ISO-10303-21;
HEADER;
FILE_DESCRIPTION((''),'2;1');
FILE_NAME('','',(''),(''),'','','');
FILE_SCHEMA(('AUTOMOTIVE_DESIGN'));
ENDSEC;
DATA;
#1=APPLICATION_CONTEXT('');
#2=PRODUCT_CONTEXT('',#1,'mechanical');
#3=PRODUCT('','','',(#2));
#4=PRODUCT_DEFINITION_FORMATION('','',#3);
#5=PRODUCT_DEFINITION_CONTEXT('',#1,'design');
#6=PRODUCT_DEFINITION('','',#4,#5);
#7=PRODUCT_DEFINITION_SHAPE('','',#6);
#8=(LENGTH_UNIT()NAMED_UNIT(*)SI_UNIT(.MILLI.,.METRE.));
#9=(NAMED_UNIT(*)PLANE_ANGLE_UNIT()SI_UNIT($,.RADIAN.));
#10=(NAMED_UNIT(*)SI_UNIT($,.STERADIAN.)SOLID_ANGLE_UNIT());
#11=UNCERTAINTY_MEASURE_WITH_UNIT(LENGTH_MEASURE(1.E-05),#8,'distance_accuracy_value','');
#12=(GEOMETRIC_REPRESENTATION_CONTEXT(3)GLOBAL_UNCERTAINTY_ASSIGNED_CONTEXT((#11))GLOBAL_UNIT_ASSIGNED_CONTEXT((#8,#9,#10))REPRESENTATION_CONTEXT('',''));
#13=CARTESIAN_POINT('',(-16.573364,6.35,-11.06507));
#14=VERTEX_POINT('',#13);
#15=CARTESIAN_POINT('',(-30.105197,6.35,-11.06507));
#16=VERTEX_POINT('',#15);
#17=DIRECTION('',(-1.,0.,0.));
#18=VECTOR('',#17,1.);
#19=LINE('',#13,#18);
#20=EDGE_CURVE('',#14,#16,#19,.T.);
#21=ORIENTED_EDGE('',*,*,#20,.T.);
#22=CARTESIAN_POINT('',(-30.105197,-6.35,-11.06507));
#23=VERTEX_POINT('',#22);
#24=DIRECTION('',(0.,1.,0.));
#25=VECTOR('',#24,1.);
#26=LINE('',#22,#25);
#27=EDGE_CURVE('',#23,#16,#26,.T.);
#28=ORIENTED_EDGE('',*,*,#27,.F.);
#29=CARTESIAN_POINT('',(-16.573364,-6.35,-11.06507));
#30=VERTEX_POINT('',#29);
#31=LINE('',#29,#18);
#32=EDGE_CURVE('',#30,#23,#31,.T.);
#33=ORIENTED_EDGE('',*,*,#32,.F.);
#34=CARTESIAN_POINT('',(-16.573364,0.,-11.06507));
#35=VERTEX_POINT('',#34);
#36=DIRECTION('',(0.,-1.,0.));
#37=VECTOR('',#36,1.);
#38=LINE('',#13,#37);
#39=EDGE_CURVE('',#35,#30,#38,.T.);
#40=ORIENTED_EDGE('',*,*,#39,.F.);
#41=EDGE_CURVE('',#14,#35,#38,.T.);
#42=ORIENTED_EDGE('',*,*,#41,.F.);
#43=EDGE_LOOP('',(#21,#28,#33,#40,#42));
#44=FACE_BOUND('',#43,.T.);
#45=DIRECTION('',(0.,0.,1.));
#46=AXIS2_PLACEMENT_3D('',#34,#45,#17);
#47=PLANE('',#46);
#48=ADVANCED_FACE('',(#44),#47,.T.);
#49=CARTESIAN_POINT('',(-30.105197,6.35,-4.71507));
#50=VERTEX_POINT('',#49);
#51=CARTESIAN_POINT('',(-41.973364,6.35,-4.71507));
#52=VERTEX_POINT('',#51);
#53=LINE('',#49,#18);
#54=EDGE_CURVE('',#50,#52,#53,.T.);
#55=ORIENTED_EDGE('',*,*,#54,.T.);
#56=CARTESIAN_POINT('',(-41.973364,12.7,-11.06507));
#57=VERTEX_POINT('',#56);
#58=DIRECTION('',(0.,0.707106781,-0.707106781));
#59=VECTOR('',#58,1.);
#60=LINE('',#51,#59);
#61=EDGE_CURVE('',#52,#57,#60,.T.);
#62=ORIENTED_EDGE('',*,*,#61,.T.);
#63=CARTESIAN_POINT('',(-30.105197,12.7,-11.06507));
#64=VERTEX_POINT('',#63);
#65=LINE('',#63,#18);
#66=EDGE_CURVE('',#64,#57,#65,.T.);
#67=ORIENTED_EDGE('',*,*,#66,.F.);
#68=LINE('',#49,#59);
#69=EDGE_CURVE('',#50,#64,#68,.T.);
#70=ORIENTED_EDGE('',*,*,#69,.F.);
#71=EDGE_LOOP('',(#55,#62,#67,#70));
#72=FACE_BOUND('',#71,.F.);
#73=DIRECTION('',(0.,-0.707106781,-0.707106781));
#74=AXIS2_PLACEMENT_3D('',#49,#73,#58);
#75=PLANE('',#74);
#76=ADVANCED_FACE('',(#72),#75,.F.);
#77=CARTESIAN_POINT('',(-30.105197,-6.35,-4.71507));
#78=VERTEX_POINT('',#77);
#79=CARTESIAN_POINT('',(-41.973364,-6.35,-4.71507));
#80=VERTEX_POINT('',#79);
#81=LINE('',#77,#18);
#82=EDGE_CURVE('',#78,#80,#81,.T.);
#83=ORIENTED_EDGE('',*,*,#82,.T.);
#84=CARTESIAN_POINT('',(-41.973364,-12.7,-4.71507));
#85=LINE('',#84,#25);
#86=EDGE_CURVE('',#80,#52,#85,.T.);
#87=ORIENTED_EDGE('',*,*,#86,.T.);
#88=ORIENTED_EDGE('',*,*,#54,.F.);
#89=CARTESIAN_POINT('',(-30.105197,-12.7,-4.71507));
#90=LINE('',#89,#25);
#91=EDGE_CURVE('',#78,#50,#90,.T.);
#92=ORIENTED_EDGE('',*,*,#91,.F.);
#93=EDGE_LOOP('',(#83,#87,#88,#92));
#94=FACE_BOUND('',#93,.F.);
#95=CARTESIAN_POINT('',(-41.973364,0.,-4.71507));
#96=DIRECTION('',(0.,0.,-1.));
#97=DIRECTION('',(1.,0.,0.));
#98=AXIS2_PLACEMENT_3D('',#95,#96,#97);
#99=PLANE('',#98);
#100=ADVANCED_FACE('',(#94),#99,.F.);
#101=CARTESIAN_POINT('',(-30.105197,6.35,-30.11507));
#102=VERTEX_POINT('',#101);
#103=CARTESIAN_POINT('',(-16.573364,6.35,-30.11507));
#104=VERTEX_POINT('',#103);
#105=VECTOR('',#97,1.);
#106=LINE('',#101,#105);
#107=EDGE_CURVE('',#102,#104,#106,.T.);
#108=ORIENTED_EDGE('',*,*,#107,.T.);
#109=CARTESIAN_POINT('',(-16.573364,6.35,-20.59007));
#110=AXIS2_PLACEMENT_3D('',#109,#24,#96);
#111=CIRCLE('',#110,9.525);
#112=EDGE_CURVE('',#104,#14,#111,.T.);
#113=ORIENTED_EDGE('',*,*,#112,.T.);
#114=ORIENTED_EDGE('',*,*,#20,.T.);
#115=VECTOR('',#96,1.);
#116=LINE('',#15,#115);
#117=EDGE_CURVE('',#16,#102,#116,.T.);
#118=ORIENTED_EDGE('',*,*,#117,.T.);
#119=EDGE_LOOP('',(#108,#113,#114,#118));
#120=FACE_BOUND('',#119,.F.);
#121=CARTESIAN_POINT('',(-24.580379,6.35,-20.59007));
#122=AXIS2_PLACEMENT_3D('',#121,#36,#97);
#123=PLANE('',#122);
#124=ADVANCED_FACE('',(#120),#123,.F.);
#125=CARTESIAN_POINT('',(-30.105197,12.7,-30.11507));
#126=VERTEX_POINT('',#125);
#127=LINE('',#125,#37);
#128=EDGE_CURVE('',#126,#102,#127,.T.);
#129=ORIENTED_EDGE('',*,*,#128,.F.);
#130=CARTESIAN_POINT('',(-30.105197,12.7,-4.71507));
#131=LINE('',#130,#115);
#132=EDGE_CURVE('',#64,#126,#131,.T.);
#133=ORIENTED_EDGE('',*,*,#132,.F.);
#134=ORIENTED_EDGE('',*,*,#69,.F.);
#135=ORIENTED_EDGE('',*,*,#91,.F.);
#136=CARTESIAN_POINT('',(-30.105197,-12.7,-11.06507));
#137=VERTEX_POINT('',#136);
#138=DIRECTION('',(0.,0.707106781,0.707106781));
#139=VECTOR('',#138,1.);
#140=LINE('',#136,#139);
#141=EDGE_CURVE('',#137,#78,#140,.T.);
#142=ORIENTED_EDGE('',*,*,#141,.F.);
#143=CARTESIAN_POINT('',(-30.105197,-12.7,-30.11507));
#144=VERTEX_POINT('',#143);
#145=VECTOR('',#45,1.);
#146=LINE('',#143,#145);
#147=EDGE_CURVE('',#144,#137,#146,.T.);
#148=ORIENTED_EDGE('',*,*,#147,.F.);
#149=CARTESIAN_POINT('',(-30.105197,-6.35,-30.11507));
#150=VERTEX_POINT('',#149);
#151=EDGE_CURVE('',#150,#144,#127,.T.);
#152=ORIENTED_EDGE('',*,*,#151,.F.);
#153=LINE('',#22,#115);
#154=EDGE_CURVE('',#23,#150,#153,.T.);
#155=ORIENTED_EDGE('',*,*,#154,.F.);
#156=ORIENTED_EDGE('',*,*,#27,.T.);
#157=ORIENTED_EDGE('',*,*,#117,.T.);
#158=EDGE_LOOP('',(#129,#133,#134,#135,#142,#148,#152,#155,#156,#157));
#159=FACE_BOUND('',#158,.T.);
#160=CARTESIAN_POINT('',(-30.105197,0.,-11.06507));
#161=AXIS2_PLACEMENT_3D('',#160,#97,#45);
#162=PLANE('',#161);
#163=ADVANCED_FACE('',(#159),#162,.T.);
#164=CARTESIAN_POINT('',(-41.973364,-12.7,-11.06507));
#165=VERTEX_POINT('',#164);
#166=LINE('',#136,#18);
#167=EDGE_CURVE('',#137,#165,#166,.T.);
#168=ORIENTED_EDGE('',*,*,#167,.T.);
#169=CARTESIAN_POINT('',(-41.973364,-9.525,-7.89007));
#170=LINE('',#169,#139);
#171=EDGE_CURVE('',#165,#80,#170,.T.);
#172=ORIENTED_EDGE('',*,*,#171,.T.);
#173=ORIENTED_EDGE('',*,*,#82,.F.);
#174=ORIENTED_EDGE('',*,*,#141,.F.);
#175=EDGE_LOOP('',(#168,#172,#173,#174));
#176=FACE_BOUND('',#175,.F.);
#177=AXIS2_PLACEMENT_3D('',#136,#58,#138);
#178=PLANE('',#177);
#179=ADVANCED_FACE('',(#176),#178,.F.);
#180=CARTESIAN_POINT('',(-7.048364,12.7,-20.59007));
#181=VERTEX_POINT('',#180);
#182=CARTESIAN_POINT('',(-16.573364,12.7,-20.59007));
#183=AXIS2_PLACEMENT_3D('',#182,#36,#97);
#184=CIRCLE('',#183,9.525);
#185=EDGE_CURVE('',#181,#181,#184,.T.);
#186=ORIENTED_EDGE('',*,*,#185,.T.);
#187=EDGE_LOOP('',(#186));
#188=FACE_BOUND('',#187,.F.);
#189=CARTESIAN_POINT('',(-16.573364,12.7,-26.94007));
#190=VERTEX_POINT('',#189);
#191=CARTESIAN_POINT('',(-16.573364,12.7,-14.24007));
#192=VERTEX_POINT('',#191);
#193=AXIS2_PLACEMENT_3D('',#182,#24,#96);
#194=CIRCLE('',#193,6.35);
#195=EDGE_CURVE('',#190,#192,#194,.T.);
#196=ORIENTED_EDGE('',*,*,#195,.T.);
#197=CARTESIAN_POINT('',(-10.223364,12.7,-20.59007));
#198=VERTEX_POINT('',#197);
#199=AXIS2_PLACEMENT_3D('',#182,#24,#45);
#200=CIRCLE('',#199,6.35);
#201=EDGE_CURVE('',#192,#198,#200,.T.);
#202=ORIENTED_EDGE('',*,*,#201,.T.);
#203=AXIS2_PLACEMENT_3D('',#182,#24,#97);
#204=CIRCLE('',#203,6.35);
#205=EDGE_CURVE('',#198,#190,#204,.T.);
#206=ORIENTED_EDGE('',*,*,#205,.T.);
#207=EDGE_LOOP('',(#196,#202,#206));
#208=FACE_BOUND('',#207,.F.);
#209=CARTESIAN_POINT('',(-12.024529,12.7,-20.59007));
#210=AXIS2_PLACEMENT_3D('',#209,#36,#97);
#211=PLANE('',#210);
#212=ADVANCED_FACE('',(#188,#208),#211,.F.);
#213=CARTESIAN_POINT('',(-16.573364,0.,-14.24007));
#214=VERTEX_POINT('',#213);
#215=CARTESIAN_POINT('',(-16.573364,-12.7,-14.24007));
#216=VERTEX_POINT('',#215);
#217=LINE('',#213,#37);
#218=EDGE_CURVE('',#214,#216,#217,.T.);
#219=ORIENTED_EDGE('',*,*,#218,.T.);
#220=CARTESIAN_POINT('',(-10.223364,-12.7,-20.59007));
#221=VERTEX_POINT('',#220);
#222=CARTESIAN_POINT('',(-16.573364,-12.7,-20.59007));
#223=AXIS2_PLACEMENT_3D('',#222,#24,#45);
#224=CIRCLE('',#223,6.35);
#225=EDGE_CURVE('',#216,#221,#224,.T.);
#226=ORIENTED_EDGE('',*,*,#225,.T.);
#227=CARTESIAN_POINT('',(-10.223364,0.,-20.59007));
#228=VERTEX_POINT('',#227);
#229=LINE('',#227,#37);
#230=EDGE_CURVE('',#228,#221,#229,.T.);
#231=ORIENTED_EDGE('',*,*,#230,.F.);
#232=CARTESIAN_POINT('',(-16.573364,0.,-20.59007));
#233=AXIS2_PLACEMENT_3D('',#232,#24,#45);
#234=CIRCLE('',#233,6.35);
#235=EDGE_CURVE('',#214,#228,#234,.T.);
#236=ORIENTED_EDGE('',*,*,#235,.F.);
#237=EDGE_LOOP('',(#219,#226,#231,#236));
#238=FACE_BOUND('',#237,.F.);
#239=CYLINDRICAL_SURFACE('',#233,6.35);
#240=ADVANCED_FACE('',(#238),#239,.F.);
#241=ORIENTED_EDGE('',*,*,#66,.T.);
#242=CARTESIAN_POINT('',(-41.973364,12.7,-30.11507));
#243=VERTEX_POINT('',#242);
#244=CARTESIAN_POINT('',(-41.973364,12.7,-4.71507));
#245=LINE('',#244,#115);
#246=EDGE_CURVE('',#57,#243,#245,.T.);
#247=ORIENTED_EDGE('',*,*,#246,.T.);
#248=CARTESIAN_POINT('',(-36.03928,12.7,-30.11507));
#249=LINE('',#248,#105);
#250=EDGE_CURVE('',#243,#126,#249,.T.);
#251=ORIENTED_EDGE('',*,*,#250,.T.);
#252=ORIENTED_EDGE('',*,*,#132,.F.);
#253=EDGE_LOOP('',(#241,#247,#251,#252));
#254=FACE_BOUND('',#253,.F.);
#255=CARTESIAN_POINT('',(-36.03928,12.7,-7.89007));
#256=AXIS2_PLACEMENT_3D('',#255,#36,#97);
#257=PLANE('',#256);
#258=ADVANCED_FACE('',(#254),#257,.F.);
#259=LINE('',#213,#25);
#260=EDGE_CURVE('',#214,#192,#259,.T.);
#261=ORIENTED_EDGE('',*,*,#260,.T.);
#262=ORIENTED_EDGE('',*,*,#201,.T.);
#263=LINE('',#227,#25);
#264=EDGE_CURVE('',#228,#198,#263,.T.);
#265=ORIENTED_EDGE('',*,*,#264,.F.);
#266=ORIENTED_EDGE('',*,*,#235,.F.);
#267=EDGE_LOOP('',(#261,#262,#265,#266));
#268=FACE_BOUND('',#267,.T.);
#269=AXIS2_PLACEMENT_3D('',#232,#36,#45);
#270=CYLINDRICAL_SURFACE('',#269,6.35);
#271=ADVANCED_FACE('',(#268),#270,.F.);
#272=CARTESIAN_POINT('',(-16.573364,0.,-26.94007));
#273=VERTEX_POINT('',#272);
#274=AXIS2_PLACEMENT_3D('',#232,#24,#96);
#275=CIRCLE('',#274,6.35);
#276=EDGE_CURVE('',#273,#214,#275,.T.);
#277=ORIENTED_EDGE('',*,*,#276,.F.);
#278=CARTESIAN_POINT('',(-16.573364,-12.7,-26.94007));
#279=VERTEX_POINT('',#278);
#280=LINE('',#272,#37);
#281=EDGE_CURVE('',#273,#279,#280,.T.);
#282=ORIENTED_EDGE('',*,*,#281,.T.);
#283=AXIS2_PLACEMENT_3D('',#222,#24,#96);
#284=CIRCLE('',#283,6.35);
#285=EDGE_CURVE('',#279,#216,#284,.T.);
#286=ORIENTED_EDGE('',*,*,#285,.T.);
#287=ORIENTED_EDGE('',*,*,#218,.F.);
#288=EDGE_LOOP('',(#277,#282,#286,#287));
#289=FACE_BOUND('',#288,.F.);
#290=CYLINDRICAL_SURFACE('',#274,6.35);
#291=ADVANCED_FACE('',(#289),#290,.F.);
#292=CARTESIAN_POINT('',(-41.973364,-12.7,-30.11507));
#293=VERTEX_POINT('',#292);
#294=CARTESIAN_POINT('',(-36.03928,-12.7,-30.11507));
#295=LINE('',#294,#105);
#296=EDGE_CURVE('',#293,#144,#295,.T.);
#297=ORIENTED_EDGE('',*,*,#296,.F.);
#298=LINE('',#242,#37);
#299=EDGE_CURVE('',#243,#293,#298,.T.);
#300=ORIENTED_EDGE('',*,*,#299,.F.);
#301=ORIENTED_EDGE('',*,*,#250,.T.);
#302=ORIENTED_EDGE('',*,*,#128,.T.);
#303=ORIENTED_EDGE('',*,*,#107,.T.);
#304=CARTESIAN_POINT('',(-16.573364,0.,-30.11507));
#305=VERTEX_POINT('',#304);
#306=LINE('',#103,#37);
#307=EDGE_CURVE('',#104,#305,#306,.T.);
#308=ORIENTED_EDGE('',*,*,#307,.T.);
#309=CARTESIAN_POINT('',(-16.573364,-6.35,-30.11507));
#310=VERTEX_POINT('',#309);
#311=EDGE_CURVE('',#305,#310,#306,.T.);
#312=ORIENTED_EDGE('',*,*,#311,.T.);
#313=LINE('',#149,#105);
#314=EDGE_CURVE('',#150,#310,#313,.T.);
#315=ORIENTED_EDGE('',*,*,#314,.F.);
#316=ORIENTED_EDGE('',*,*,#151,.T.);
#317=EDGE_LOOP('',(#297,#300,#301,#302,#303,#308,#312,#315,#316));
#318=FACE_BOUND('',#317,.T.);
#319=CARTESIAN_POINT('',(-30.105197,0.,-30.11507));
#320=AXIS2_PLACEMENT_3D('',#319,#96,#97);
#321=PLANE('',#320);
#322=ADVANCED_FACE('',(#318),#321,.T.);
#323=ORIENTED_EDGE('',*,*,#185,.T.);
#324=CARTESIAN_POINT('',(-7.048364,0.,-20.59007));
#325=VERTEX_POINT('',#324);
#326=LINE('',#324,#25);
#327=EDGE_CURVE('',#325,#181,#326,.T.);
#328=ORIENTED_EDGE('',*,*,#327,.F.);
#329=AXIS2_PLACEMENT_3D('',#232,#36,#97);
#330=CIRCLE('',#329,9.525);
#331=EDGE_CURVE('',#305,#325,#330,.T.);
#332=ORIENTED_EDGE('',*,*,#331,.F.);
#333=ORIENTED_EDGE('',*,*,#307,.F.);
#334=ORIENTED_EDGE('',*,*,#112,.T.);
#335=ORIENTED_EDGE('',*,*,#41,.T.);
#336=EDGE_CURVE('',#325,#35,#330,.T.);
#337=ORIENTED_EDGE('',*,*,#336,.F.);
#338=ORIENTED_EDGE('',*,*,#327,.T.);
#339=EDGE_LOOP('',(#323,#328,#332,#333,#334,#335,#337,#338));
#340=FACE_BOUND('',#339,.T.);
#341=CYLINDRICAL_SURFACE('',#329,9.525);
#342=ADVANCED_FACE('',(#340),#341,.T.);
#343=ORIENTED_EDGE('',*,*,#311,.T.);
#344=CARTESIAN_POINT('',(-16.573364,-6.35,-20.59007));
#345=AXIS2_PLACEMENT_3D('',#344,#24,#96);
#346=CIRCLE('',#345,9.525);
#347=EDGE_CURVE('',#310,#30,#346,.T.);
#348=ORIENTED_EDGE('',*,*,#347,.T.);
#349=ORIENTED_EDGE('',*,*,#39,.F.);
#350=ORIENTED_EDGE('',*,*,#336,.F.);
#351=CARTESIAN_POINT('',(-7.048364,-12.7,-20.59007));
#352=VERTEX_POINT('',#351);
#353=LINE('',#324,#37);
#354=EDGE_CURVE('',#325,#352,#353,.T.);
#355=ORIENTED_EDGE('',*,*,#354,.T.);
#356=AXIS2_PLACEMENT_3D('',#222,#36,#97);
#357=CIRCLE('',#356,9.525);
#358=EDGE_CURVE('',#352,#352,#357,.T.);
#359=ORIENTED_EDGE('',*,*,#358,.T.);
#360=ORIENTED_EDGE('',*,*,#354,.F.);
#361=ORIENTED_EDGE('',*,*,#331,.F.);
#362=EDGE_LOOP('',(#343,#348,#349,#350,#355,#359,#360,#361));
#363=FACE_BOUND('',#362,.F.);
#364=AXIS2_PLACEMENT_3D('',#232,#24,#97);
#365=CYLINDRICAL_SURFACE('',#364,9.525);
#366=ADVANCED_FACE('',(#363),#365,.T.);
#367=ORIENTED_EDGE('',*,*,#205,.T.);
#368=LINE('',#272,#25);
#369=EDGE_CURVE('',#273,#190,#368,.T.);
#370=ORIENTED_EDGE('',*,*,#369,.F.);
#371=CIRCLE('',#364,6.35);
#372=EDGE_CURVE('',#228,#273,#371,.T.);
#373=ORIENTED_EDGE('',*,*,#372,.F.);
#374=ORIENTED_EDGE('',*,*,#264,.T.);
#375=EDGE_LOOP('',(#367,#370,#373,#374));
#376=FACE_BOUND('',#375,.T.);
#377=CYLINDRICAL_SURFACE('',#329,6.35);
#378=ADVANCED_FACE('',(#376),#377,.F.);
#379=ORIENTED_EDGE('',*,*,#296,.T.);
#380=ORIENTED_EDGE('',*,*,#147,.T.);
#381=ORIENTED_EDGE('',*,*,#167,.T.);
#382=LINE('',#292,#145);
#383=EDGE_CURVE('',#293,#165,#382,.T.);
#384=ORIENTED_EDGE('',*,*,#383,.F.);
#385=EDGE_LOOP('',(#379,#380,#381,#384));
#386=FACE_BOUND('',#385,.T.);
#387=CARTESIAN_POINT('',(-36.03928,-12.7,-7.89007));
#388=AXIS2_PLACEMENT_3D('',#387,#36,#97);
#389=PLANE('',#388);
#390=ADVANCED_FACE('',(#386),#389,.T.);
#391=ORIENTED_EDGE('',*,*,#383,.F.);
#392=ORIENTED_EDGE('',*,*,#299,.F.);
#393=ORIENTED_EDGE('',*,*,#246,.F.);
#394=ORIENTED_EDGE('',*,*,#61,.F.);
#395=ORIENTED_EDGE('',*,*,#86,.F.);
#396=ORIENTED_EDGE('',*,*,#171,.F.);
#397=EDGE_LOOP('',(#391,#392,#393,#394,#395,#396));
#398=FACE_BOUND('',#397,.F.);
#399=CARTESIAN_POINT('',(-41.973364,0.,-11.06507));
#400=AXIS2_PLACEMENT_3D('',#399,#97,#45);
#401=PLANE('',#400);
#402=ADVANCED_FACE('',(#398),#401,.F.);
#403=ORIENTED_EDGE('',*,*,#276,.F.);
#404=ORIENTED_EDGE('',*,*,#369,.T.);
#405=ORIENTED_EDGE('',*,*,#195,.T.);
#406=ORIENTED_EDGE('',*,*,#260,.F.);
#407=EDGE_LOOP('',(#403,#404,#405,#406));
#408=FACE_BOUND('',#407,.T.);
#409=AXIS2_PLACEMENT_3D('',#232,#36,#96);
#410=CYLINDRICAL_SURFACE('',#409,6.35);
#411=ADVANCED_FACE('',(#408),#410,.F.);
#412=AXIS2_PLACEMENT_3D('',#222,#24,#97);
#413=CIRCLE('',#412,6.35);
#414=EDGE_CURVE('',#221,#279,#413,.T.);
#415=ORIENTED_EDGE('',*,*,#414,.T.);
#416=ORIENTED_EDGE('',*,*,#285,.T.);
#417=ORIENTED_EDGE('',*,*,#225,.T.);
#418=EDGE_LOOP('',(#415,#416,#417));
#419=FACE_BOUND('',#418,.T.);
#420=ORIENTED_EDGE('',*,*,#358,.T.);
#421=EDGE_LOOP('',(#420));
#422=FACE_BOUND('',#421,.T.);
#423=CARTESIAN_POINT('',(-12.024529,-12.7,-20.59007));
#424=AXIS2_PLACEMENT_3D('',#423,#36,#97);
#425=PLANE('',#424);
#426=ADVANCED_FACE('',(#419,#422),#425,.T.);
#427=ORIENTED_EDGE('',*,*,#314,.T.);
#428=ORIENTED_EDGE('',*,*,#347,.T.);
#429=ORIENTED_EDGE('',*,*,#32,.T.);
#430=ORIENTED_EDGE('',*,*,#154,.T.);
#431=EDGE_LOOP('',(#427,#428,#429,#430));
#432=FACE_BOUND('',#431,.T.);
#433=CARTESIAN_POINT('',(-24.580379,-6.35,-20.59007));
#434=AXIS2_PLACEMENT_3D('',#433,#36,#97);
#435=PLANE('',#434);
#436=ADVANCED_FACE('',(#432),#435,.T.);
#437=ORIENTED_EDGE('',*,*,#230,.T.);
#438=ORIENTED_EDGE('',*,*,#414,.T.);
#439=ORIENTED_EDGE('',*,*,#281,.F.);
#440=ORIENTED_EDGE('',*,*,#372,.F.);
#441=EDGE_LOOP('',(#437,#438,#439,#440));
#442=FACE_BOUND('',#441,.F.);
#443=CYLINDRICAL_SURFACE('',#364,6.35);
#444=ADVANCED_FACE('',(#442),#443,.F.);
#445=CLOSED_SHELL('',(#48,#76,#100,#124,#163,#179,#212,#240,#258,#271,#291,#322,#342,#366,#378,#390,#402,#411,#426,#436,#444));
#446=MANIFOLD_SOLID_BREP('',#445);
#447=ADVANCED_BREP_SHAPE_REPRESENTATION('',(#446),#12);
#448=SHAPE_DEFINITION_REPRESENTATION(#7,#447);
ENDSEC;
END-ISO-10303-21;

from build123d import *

# Parameters (mm, degrees)
F0_W          = 11.8681662488
F0_H          = 19.05
F1_DEPTH      = 12.7
F1_DEPTH_BACK = 12.7
F2_DEPTH      = 6.35
F2_DEPTH_BACK = 6.35
F3_DEPTH      = 12.7
F3_DEPTH_BACK = 12.7
F0_H_2        = 6.35
F4_DEPTH      = 12.7
F4_DEPTH_BACK = 12.7
F6_DEPTH      = 12.7


with BuildPart() as f1:
    # F0 (on Front) → F1 (new body, two sides)
    with BuildSketch(Plane.XZ) as f1_sk:
        with Locations((-36.0392803956, -20.5900701019)):
            Rectangle(F0_W, F0_H)
    extrude(amount=F1_DEPTH)
    extrude(f1_sk.sketch, amount=-F1_DEPTH_BACK)

    # F0 (on Front) → F2 (join, two sides)
    with BuildSketch(Plane.XZ) as f2_sk:
        with BuildLine():
            Line((-30.1051972712, -11.0650701019), (-30.1051972712, -30.1150701019))
            Line((-30.1051972712, -30.1150701019), (-16.57336352, -30.1150701019))
            ThreePointArc((-16.57336352, -30.1150701019), (-26.09836352, -20.5900701019), (-16.57336352, -11.0650701019))
            Line((-16.57336352, -11.0650701019), (-30.1051972712, -11.0650701019))
        make_face()
    extrude(amount=F2_DEPTH)
    extrude(f2_sk.sketch, amount=-F2_DEPTH_BACK)

    # F0 (on Front) → F3 (join, two sides)
    with BuildSketch(Plane.XZ) as f3_sk:
        with BuildLine():
            Line((-16.57336352, -26.9400701019), (-16.57336352, -30.1150701019))
            ThreePointArc((-16.57336352, -30.1150701019), (-9.8381714292, -27.3252621927), (-7.04836352, -20.5900701019))
            ThreePointArc((-7.04836352, -20.5900701019), (-9.8381714292, -13.8548780111), (-16.57336352, -11.0650701019))
            Line((-16.57336352, -11.0650701019), (-16.57336352, -14.2400701019))
            ThreePointArc((-16.57336352, -14.2400701019), (-12.0832354595, -16.0999420414), (-10.22336352, -20.5900701019))
            ThreePointArc((-10.22336352, -20.5900701019), (-12.0832354595, -25.0801981625), (-16.57336352, -26.9400701019))
        make_face()
        with BuildLine():
            ThreePointArc((-16.57336352, -11.0650701019), (-26.09836352, -20.5900701019), (-16.57336352, -30.1150701019))
            Line((-16.57336352, -30.1150701019), (-16.57336352, -26.9400701019))
            ThreePointArc((-16.57336352, -26.9400701019), (-22.92336352, -20.5900701019), (-16.57336352, -14.2400701019))
            Line((-16.57336352, -14.2400701019), (-16.57336352, -11.0650701019))
        make_face()
    extrude(amount=F3_DEPTH)
    extrude(f3_sk.sketch, amount=-F3_DEPTH_BACK)

    # F0 (on Front) → F4 (join, two sides)
    with BuildSketch(Plane.XZ) as f4_sk:
        with Locations((-36.0392803956, -7.8900701019)):
            Rectangle(F0_W, F0_H_2)
    extrude(amount=F4_DEPTH)
    extrude(f4_sk.sketch, amount=-F4_DEPTH_BACK)

    # F5 (on face) → F6 (cut)
    with BuildSketch(Plane.YZ.offset(-30.1051972712)):
        Polygon((12.7, -4.7150701019), (6.35, -4.7150701019), (12.7, -11.0650701019), align=None)
        Polygon((-12.7, -11.0650701019), (-6.35, -4.7150701019), (-12.7, -4.7150701019), align=None)
    extrude(amount=-F6_DEPTH, mode=Mode.SUBTRACT)


solid = f1.part
